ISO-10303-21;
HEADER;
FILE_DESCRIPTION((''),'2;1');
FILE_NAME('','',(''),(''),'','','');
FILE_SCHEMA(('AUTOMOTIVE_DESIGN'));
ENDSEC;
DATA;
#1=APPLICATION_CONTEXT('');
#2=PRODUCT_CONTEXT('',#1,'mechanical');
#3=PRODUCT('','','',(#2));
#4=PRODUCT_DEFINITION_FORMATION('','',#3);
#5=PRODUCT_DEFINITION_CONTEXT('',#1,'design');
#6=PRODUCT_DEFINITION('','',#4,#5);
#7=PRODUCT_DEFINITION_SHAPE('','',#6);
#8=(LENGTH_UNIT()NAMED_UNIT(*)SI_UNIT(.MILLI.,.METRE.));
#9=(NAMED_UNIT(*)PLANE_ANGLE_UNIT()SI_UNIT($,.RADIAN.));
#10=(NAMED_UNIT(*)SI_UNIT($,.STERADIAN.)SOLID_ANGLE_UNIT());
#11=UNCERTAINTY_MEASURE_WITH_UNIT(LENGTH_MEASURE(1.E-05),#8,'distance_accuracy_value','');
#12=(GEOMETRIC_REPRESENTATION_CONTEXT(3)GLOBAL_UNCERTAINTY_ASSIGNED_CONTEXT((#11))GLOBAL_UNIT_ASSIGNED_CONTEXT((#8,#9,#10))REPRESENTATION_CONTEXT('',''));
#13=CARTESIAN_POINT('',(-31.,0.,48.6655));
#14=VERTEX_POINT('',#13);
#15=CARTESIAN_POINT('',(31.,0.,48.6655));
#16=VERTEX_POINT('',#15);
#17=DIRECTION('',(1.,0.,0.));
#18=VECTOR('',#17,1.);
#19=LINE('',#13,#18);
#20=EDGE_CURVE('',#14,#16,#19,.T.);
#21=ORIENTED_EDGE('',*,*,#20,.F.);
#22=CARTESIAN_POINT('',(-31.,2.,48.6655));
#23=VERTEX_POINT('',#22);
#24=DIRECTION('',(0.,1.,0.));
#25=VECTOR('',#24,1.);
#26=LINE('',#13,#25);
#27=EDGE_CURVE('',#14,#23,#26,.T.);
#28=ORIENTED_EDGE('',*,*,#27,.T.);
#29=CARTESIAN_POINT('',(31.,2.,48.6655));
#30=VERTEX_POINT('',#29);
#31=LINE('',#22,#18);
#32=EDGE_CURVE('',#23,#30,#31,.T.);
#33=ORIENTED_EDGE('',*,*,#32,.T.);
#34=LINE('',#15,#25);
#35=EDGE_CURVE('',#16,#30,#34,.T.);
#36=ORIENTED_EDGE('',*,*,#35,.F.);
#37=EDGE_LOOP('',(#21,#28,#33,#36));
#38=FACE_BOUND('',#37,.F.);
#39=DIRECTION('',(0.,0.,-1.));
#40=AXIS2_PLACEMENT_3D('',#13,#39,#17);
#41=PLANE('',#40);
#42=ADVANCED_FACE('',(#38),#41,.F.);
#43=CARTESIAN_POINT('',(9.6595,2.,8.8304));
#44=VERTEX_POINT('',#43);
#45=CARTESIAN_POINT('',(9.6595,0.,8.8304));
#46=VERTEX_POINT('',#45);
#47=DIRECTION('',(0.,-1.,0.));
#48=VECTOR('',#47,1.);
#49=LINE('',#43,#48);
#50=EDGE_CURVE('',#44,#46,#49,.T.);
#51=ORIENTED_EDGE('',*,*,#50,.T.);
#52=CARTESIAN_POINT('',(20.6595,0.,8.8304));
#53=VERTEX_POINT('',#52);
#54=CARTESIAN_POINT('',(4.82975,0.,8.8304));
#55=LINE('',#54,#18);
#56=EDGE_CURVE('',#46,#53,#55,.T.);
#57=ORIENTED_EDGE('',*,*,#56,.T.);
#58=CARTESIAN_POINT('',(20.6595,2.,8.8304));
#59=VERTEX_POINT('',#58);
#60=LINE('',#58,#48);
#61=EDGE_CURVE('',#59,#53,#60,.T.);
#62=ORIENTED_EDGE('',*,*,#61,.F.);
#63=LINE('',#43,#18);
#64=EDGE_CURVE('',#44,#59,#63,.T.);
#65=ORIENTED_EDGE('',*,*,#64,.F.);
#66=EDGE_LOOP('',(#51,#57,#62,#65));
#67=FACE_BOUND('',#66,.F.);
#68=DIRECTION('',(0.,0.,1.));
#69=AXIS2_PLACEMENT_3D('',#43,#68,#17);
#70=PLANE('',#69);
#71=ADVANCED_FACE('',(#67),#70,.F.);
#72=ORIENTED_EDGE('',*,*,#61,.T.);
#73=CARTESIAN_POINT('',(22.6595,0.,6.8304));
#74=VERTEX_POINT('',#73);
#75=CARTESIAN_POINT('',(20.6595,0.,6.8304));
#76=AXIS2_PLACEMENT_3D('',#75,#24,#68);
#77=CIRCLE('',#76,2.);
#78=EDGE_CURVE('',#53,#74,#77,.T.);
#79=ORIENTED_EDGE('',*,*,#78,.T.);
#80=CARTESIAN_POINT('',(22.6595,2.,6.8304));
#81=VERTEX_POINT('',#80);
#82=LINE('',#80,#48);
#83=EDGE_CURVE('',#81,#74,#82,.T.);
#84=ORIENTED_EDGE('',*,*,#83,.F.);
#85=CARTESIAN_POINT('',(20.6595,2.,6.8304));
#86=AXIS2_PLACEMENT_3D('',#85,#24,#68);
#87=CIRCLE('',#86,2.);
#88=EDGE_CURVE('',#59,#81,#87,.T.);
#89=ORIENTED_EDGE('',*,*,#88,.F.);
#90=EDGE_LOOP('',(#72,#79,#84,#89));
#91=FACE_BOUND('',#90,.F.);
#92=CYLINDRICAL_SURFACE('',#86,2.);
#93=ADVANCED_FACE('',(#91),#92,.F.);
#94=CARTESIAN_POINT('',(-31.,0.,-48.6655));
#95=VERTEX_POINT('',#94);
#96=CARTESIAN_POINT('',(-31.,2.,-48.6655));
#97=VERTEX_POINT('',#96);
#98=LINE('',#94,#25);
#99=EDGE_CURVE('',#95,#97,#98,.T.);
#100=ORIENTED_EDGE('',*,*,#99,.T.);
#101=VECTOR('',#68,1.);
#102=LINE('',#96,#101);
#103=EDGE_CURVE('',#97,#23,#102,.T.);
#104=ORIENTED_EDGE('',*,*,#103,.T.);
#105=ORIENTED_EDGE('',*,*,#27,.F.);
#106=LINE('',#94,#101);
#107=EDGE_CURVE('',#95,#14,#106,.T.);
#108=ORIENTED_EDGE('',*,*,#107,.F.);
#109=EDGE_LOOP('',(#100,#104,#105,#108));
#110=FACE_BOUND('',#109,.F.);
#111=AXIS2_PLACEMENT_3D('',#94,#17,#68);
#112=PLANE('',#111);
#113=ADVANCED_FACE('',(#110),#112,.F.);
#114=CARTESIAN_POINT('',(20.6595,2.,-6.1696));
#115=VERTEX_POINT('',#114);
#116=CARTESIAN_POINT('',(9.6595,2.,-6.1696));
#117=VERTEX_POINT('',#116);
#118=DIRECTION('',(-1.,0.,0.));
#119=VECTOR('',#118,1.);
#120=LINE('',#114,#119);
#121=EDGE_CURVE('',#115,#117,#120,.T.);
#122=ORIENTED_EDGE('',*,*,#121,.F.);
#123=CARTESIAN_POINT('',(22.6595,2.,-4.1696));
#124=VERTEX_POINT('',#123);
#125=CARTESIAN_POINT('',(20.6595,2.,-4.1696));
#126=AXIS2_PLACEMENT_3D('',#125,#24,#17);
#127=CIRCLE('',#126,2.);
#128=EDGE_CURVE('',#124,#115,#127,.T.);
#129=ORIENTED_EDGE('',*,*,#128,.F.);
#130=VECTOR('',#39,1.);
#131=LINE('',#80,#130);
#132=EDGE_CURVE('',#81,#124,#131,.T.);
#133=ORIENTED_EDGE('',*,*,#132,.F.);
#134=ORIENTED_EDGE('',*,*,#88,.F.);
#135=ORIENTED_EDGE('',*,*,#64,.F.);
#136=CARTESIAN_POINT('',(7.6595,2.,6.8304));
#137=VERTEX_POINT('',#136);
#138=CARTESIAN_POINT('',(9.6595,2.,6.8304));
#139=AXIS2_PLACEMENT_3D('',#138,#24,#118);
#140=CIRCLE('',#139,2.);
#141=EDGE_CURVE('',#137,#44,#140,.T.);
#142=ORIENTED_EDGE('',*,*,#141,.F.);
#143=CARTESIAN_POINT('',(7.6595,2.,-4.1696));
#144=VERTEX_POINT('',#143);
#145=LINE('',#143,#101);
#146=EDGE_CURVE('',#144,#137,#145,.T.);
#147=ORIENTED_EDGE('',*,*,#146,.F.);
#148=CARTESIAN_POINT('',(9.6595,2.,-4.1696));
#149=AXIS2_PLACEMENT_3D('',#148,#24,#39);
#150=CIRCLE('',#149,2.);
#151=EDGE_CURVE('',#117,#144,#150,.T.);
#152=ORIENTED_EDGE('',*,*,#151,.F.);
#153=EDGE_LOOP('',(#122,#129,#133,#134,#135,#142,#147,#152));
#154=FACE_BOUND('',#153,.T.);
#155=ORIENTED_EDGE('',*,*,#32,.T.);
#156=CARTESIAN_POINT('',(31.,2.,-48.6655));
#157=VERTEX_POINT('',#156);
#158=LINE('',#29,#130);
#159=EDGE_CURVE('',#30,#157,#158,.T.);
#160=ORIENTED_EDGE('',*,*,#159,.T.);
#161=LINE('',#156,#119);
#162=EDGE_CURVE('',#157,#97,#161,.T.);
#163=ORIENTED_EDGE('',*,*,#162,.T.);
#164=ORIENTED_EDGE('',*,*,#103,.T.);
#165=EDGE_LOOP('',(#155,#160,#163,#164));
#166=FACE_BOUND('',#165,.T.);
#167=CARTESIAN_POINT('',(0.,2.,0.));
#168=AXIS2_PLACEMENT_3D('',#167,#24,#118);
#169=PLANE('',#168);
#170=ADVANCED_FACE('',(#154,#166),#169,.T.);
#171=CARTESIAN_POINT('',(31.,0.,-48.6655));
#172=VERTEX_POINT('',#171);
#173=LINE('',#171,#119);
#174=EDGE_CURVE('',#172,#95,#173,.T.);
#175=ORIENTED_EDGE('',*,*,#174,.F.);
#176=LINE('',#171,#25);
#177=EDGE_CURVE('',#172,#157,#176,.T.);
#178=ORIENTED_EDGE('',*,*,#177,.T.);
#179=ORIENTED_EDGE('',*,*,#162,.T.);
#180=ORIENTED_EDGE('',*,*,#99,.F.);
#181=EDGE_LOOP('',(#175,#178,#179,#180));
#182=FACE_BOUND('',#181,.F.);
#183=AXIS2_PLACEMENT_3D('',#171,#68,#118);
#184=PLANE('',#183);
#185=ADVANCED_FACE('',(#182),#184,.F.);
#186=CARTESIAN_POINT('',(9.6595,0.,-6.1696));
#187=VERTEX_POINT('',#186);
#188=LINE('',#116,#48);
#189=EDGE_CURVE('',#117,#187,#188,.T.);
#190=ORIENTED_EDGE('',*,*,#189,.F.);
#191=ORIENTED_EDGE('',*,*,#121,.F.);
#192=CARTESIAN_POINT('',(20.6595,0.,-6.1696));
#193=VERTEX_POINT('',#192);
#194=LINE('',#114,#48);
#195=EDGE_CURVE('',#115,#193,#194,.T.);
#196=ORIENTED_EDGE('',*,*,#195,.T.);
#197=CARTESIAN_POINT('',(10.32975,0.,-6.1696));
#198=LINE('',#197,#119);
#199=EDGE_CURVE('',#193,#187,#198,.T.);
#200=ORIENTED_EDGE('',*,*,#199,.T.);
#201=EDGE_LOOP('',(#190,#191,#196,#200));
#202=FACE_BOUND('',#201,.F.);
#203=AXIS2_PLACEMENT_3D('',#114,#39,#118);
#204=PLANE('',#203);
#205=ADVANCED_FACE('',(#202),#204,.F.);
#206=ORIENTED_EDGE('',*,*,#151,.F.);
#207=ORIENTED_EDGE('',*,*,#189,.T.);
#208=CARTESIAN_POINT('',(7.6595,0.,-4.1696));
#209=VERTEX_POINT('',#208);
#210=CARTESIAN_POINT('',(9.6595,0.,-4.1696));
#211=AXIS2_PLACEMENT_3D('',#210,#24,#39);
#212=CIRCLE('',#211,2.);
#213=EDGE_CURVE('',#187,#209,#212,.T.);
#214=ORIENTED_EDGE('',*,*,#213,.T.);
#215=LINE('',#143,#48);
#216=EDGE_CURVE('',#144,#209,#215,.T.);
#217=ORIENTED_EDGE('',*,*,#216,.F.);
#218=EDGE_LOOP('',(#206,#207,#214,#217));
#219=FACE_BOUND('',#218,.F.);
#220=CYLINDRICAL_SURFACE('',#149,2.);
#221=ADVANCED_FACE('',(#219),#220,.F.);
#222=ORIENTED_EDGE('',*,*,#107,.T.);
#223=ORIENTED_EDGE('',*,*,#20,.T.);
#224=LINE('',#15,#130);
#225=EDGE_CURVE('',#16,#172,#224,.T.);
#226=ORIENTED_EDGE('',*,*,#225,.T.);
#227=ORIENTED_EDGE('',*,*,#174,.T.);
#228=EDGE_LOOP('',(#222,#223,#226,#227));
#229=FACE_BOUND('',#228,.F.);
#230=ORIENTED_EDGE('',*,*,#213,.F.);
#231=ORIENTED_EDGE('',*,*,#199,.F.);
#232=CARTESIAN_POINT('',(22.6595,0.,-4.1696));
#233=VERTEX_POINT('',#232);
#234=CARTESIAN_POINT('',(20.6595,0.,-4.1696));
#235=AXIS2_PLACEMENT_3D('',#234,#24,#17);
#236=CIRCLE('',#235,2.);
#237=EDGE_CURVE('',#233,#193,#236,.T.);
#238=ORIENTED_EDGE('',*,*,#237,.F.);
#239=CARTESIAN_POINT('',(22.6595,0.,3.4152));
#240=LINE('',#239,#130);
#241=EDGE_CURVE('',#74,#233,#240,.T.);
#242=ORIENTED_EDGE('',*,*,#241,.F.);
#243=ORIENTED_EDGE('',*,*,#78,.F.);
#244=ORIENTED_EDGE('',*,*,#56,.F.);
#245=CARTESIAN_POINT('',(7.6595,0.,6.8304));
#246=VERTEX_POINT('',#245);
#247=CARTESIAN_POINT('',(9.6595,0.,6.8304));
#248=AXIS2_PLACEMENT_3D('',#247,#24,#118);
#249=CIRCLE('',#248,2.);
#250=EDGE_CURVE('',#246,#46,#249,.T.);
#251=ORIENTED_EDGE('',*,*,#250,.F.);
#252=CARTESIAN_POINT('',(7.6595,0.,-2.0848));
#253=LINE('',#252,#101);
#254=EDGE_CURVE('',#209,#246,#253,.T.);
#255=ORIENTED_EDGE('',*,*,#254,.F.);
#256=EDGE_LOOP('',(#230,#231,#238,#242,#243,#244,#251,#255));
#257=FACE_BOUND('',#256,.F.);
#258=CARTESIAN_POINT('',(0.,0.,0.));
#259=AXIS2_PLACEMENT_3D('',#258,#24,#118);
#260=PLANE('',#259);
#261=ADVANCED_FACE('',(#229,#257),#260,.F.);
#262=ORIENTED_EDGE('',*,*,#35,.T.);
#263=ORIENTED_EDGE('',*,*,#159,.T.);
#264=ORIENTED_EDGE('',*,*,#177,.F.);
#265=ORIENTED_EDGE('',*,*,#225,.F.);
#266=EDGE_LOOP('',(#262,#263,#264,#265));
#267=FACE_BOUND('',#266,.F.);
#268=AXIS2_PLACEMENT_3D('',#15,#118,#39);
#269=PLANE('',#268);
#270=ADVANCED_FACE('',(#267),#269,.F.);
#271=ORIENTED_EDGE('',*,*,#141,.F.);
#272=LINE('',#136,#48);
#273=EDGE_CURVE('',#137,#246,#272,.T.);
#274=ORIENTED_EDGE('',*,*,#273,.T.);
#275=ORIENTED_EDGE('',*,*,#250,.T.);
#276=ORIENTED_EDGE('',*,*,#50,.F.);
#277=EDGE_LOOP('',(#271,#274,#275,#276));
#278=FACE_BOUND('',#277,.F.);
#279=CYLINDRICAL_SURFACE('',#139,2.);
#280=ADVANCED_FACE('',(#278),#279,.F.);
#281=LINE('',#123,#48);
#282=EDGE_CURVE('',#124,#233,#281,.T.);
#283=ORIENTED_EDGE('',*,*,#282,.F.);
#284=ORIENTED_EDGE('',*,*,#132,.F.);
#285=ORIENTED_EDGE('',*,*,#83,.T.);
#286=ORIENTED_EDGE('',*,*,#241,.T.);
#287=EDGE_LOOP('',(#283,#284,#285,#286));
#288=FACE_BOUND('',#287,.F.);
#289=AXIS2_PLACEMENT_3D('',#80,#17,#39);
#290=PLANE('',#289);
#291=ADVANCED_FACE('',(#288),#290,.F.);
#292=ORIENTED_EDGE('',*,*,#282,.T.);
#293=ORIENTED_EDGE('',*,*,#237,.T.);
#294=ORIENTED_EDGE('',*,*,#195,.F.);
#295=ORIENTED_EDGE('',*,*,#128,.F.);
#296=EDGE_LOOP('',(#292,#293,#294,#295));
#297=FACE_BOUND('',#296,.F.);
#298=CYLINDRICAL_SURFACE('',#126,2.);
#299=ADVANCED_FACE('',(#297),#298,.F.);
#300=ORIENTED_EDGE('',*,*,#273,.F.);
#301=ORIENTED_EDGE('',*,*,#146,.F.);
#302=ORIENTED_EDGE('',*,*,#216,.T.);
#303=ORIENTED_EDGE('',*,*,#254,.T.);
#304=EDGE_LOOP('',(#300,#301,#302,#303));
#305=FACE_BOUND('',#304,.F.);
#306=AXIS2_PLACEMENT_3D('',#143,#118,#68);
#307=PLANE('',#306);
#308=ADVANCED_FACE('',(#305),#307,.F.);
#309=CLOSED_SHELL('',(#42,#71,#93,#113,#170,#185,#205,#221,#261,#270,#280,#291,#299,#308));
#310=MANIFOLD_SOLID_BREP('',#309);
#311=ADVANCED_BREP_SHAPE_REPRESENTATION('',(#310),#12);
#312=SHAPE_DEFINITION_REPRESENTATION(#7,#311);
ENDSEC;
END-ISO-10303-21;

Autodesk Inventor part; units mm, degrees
ref_plane "YZ Plane" through (0, 0, 0) normal (1, 0, 0) x (0, 1, 0)
ref_plane "XZ Plane" through (0, 0, 0) normal (0, 1, 0) x (-1, 0, 0)
ref_plane "XY Plane" through (0, 0, 0) normal (0, 0, 1) x (1, 0, 0)
sketch "Sketch1" plane through (0, 0, 0) normal (0, 1, 0) x (-1, 0, 0)
  line L0 (31, 48.6655) -> (-31, 48.6655)
  line L1 (-31, 48.6655) -> (-31, -48.6655)
  line L2 (-31, -48.6655) -> (31, -48.6655)
  line L3 (31, -48.6655) -> (31, 48.6655)
  line L4 (31, 48.6655) -> (-31, -48.6655) construction
  line L5 (-31, 48.6655) -> (31, -48.6655) construction
  point P0 (0, 0)
  dimension "d0" = 97.331
  dimension "d1" = 62
extrude "Extrusion1" add sketch "Sketch1" along normal blind 2
sketch "Sketch2" plane through (0, 2, 0) normal (0, 1, 0) x (1, 0, 0)
  line L0 (9.6595, -8.8304) -> (20.6595, -8.8304) projected
  arc A0 (20.6595, -8.8304) -> (22.6595, -6.8304) centre (20.6595, -6.8304) ccw projected
  line L1 (22.6595, -6.8304) -> (22.6595, 4.1696) projected
  arc A1 (22.6595, 4.1696) -> (20.6595, 6.1696) centre (20.6595, 4.1696) ccw projected
  line L2 (20.6595, 6.1696) -> (9.6595, 6.1696) projected
  arc A2 (9.6595, 6.1696) -> (7.6595, 4.1696) centre (9.6595, 4.1696) ccw projected
  line L3 (7.6595, 4.1696) -> (7.6595, -6.8304) projected
  arc A3 (7.6595, -6.8304) -> (9.6595, -8.8304) centre (9.6595, -6.8304) ccw projected
  line L4 (14.1595, 0.1696) -> (9.6595, 0.1696) projected
  line L5 (9.6595, 0.1696) -> (9.6595, 3.1696) projected
  line L6 (9.6595, 3.1696) -> (14.1595, 3.1696) projected
  line L7 (14.1595, 3.1696) -> (14.1595, 0.1696) projected
  line L8 (16.1595, -5.8304) -> (16.1595, -2.8304) projected
  line L9 (16.1595, -2.8304) -> (20.6595, -2.8304) projected
  line L10 (20.6595, -2.8304) -> (20.6595, -5.8304) projected
  line L11 (20.6595, -5.8304) -> (16.1595, -5.8304) projected
  line L12 (16.1595, 3.1696) -> (20.6595, 3.1696) projected
  line L13 (20.6595, 3.1696) -> (20.6595, 0.1696) projected
  line L14 (20.6595, 0.1696) -> (16.1595, 0.1696) projected
  line L15 (16.1595, 0.1696) -> (16.1595, 3.1696) projected
  line L16 (9.6595, -2.8304) -> (14.1595, -2.8304) projected
  line L17 (14.1595, -2.8304) -> (14.1595, -5.8304) projected
  line L18 (14.1595, -5.8304) -> (9.6595, -5.8304) projected
  line L19 (9.6595, -5.8304) -> (9.6595, -2.8304) projected
  point P0 (0, 0)
extrude "Extrusion2" cut sketch "Sketch2" against normal blind 10 contours A3 L3 A2 L2 A1 L1 A0 L0 | L4 L5 L6 L7 | L8 L9 L10 L11 | L12 L13 L14 L15 | L16 L17 L18 L19
properties part number "plate2" material "Stainless Steel"
